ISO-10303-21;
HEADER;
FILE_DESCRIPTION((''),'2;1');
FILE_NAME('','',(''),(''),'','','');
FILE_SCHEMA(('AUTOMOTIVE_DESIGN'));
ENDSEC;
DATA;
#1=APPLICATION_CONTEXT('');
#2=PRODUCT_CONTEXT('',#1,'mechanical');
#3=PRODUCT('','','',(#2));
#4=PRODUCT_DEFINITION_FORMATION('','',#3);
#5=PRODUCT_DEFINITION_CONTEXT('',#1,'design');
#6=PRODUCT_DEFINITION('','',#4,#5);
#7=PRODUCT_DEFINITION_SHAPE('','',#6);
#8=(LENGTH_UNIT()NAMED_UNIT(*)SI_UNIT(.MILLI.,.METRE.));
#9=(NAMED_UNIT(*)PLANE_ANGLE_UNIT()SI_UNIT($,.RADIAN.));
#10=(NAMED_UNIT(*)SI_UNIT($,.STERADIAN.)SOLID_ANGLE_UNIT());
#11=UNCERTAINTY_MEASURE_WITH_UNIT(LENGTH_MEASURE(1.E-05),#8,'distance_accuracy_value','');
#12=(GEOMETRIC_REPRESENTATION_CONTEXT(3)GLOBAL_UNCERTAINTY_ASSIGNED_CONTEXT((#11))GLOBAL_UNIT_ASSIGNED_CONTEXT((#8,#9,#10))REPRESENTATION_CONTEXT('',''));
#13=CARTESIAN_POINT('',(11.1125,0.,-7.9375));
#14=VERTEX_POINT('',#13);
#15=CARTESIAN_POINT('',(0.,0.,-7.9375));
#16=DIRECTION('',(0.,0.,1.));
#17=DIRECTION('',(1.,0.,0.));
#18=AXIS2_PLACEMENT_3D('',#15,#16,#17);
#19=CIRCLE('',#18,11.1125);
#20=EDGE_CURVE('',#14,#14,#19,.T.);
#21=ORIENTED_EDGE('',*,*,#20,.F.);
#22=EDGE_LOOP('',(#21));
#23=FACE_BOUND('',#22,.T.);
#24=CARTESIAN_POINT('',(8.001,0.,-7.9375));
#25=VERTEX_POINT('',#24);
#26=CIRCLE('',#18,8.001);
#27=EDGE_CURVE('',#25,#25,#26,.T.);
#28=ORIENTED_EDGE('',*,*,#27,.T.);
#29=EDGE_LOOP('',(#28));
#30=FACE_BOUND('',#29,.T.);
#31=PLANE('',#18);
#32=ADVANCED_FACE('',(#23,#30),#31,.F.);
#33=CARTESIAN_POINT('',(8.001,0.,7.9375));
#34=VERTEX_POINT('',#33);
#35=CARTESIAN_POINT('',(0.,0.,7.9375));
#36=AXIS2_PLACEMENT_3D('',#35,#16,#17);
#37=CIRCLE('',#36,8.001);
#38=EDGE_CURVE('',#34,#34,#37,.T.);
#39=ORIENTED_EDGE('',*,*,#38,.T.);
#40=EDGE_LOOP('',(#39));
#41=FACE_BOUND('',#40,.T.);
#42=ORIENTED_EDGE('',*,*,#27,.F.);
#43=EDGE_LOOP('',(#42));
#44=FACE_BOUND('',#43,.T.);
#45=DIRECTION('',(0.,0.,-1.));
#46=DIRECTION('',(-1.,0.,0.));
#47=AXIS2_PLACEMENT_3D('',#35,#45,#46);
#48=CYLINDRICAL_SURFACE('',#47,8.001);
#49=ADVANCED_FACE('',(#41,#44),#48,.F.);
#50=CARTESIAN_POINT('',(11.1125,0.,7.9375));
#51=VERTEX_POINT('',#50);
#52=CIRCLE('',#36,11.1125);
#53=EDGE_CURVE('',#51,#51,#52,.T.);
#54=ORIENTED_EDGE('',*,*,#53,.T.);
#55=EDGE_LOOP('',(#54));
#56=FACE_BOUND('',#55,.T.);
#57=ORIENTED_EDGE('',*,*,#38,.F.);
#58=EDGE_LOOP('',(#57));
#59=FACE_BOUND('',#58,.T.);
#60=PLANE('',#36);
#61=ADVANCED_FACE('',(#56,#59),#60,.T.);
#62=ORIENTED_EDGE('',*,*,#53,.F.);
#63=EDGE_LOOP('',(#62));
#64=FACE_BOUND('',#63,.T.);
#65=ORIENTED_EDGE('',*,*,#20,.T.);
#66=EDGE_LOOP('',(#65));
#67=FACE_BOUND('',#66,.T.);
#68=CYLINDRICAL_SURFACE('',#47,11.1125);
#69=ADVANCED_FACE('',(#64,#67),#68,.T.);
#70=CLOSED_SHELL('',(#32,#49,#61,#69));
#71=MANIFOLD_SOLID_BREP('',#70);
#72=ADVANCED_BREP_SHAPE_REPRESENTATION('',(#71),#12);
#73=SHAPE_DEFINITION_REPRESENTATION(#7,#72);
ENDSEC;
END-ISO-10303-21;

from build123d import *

# Parameters (mm, degrees)
SKETCH1_R      = 11.1125
SKETCH1_R_2    = 8.001
EXTRUDE1_DEPTH = 7.9375


with BuildPart() as part:
    # Sketch1 → Extrude1 (new body, symmetric)
    with BuildSketch(Plane.XY):
        Circle(SKETCH1_R)
        Circle(SKETCH1_R_2, mode=Mode.SUBTRACT)
    extrude(amount=EXTRUDE1_DEPTH, both=True)


solid = part.part
